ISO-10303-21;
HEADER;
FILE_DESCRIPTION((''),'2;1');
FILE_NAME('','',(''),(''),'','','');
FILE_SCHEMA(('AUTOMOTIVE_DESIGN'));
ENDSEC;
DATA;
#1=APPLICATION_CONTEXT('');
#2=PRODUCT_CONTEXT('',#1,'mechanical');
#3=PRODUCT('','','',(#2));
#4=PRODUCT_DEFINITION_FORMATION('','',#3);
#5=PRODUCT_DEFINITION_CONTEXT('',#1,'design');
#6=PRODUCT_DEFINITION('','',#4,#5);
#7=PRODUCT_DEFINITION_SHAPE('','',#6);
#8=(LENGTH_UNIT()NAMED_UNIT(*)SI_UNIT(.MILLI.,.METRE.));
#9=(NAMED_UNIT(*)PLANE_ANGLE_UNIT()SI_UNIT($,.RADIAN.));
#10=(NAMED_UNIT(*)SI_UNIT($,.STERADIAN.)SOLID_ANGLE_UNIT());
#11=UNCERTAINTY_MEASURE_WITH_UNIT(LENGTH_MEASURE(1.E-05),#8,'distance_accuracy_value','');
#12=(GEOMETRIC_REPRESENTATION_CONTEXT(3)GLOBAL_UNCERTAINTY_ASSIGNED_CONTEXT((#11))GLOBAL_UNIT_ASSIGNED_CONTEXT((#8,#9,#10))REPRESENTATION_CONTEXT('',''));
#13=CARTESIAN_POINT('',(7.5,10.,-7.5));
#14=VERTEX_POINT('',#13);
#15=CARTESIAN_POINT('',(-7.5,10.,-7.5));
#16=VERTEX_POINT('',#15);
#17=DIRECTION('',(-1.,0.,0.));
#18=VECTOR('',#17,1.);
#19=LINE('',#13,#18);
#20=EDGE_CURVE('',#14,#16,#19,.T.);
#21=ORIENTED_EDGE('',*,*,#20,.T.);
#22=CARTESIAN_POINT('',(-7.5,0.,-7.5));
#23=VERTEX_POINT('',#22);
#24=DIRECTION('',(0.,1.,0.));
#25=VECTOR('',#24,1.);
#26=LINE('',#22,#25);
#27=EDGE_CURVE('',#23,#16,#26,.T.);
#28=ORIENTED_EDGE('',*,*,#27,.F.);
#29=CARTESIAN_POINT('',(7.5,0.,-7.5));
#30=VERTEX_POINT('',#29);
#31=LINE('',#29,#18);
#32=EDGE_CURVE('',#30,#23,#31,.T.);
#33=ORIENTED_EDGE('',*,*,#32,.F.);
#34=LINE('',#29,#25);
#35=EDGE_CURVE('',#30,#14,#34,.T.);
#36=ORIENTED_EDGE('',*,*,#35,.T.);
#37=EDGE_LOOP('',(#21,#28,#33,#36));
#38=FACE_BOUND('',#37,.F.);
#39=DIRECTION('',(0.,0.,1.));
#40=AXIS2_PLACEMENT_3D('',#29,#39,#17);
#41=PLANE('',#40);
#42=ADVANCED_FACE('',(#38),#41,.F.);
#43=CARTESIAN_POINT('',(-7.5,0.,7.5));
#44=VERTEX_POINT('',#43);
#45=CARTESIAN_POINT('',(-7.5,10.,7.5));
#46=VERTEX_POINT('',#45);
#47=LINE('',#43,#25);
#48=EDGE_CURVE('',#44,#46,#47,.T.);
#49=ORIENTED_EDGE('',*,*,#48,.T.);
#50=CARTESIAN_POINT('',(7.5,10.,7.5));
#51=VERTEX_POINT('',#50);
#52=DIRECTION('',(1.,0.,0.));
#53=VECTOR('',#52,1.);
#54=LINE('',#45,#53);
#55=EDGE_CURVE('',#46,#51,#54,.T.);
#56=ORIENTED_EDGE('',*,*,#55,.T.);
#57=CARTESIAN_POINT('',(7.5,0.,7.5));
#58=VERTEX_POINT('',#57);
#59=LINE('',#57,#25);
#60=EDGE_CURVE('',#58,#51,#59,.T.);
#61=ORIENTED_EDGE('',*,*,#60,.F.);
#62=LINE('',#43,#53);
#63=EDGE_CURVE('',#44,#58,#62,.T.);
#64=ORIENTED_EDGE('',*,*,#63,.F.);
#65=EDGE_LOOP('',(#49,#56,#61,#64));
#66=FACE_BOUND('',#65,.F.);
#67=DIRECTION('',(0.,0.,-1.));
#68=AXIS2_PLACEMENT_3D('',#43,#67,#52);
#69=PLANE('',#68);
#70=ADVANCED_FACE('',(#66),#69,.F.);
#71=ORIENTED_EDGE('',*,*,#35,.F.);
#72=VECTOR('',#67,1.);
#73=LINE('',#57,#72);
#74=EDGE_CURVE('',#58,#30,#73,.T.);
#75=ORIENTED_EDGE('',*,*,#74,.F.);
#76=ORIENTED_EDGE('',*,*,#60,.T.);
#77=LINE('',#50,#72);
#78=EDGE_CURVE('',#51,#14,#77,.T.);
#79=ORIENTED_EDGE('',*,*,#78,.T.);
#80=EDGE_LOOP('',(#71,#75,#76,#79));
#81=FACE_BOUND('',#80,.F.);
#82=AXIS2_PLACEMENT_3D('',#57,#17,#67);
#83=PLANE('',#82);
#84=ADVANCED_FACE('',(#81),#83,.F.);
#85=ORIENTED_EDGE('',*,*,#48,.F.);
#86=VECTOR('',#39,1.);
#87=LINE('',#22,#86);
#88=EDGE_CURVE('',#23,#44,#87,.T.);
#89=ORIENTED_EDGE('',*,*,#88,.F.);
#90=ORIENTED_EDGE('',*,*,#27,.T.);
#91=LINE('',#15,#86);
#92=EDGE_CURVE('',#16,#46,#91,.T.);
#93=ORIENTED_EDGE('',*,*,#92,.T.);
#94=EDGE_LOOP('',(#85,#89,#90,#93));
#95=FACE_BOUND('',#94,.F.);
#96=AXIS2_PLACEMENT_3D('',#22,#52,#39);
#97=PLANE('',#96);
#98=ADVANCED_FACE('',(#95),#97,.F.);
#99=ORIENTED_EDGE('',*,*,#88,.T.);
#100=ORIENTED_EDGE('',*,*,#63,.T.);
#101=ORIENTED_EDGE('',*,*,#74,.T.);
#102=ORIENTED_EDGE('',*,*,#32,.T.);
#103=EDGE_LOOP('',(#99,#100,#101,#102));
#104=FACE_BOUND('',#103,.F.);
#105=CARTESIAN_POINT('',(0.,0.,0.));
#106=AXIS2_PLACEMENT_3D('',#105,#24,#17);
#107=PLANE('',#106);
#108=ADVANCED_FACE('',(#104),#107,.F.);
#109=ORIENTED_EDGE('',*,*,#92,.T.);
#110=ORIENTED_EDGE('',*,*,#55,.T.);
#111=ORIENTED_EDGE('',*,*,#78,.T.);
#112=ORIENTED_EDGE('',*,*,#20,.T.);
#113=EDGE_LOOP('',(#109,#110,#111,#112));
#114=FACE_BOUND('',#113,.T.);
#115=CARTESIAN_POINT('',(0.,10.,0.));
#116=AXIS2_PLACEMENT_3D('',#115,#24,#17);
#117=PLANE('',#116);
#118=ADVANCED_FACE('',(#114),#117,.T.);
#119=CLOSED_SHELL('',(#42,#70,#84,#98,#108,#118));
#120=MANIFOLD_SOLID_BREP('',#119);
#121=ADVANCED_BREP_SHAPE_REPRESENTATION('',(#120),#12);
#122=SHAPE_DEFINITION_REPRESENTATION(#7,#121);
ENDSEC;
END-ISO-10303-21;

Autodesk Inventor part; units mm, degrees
ref_plane "YZ Plane" through (0, 0, 0) normal (1, 0, 0) x (0, 1, 0)
ref_plane "XZ Plane" through (0, 0, 0) normal (0, 1, 0) x (-1, 0, 0)
ref_plane "XY Plane" through (0, 0, 0) normal (0, 0, 1) x (1, 0, 0)
sketch "Boceto1" plane through (0, 0, 0) normal (0, 1, 0) x (-1, 0, 0)
  line L0 (-7.5, -7.5) -> (7.5, -7.5)
  line L1 (7.5, -7.5) -> (7.5, 7.5)
  line L2 (7.5, 7.5) -> (-7.5, 7.5)
  line L3 (-7.5, 7.5) -> (-7.5, -7.5)
  line L4 (-7.5, -7.5) -> (7.5, 7.5) construction
  line L5 (7.5, -7.5) -> (-7.5, 7.5) construction
  point P0 (0, 0)
  dimension "d0" = 15
  dimension "d1" = 15
extrude "Extrusión1" add sketch "Boceto1" along normal blind 10
properties part number "relleno" material "Oro"
